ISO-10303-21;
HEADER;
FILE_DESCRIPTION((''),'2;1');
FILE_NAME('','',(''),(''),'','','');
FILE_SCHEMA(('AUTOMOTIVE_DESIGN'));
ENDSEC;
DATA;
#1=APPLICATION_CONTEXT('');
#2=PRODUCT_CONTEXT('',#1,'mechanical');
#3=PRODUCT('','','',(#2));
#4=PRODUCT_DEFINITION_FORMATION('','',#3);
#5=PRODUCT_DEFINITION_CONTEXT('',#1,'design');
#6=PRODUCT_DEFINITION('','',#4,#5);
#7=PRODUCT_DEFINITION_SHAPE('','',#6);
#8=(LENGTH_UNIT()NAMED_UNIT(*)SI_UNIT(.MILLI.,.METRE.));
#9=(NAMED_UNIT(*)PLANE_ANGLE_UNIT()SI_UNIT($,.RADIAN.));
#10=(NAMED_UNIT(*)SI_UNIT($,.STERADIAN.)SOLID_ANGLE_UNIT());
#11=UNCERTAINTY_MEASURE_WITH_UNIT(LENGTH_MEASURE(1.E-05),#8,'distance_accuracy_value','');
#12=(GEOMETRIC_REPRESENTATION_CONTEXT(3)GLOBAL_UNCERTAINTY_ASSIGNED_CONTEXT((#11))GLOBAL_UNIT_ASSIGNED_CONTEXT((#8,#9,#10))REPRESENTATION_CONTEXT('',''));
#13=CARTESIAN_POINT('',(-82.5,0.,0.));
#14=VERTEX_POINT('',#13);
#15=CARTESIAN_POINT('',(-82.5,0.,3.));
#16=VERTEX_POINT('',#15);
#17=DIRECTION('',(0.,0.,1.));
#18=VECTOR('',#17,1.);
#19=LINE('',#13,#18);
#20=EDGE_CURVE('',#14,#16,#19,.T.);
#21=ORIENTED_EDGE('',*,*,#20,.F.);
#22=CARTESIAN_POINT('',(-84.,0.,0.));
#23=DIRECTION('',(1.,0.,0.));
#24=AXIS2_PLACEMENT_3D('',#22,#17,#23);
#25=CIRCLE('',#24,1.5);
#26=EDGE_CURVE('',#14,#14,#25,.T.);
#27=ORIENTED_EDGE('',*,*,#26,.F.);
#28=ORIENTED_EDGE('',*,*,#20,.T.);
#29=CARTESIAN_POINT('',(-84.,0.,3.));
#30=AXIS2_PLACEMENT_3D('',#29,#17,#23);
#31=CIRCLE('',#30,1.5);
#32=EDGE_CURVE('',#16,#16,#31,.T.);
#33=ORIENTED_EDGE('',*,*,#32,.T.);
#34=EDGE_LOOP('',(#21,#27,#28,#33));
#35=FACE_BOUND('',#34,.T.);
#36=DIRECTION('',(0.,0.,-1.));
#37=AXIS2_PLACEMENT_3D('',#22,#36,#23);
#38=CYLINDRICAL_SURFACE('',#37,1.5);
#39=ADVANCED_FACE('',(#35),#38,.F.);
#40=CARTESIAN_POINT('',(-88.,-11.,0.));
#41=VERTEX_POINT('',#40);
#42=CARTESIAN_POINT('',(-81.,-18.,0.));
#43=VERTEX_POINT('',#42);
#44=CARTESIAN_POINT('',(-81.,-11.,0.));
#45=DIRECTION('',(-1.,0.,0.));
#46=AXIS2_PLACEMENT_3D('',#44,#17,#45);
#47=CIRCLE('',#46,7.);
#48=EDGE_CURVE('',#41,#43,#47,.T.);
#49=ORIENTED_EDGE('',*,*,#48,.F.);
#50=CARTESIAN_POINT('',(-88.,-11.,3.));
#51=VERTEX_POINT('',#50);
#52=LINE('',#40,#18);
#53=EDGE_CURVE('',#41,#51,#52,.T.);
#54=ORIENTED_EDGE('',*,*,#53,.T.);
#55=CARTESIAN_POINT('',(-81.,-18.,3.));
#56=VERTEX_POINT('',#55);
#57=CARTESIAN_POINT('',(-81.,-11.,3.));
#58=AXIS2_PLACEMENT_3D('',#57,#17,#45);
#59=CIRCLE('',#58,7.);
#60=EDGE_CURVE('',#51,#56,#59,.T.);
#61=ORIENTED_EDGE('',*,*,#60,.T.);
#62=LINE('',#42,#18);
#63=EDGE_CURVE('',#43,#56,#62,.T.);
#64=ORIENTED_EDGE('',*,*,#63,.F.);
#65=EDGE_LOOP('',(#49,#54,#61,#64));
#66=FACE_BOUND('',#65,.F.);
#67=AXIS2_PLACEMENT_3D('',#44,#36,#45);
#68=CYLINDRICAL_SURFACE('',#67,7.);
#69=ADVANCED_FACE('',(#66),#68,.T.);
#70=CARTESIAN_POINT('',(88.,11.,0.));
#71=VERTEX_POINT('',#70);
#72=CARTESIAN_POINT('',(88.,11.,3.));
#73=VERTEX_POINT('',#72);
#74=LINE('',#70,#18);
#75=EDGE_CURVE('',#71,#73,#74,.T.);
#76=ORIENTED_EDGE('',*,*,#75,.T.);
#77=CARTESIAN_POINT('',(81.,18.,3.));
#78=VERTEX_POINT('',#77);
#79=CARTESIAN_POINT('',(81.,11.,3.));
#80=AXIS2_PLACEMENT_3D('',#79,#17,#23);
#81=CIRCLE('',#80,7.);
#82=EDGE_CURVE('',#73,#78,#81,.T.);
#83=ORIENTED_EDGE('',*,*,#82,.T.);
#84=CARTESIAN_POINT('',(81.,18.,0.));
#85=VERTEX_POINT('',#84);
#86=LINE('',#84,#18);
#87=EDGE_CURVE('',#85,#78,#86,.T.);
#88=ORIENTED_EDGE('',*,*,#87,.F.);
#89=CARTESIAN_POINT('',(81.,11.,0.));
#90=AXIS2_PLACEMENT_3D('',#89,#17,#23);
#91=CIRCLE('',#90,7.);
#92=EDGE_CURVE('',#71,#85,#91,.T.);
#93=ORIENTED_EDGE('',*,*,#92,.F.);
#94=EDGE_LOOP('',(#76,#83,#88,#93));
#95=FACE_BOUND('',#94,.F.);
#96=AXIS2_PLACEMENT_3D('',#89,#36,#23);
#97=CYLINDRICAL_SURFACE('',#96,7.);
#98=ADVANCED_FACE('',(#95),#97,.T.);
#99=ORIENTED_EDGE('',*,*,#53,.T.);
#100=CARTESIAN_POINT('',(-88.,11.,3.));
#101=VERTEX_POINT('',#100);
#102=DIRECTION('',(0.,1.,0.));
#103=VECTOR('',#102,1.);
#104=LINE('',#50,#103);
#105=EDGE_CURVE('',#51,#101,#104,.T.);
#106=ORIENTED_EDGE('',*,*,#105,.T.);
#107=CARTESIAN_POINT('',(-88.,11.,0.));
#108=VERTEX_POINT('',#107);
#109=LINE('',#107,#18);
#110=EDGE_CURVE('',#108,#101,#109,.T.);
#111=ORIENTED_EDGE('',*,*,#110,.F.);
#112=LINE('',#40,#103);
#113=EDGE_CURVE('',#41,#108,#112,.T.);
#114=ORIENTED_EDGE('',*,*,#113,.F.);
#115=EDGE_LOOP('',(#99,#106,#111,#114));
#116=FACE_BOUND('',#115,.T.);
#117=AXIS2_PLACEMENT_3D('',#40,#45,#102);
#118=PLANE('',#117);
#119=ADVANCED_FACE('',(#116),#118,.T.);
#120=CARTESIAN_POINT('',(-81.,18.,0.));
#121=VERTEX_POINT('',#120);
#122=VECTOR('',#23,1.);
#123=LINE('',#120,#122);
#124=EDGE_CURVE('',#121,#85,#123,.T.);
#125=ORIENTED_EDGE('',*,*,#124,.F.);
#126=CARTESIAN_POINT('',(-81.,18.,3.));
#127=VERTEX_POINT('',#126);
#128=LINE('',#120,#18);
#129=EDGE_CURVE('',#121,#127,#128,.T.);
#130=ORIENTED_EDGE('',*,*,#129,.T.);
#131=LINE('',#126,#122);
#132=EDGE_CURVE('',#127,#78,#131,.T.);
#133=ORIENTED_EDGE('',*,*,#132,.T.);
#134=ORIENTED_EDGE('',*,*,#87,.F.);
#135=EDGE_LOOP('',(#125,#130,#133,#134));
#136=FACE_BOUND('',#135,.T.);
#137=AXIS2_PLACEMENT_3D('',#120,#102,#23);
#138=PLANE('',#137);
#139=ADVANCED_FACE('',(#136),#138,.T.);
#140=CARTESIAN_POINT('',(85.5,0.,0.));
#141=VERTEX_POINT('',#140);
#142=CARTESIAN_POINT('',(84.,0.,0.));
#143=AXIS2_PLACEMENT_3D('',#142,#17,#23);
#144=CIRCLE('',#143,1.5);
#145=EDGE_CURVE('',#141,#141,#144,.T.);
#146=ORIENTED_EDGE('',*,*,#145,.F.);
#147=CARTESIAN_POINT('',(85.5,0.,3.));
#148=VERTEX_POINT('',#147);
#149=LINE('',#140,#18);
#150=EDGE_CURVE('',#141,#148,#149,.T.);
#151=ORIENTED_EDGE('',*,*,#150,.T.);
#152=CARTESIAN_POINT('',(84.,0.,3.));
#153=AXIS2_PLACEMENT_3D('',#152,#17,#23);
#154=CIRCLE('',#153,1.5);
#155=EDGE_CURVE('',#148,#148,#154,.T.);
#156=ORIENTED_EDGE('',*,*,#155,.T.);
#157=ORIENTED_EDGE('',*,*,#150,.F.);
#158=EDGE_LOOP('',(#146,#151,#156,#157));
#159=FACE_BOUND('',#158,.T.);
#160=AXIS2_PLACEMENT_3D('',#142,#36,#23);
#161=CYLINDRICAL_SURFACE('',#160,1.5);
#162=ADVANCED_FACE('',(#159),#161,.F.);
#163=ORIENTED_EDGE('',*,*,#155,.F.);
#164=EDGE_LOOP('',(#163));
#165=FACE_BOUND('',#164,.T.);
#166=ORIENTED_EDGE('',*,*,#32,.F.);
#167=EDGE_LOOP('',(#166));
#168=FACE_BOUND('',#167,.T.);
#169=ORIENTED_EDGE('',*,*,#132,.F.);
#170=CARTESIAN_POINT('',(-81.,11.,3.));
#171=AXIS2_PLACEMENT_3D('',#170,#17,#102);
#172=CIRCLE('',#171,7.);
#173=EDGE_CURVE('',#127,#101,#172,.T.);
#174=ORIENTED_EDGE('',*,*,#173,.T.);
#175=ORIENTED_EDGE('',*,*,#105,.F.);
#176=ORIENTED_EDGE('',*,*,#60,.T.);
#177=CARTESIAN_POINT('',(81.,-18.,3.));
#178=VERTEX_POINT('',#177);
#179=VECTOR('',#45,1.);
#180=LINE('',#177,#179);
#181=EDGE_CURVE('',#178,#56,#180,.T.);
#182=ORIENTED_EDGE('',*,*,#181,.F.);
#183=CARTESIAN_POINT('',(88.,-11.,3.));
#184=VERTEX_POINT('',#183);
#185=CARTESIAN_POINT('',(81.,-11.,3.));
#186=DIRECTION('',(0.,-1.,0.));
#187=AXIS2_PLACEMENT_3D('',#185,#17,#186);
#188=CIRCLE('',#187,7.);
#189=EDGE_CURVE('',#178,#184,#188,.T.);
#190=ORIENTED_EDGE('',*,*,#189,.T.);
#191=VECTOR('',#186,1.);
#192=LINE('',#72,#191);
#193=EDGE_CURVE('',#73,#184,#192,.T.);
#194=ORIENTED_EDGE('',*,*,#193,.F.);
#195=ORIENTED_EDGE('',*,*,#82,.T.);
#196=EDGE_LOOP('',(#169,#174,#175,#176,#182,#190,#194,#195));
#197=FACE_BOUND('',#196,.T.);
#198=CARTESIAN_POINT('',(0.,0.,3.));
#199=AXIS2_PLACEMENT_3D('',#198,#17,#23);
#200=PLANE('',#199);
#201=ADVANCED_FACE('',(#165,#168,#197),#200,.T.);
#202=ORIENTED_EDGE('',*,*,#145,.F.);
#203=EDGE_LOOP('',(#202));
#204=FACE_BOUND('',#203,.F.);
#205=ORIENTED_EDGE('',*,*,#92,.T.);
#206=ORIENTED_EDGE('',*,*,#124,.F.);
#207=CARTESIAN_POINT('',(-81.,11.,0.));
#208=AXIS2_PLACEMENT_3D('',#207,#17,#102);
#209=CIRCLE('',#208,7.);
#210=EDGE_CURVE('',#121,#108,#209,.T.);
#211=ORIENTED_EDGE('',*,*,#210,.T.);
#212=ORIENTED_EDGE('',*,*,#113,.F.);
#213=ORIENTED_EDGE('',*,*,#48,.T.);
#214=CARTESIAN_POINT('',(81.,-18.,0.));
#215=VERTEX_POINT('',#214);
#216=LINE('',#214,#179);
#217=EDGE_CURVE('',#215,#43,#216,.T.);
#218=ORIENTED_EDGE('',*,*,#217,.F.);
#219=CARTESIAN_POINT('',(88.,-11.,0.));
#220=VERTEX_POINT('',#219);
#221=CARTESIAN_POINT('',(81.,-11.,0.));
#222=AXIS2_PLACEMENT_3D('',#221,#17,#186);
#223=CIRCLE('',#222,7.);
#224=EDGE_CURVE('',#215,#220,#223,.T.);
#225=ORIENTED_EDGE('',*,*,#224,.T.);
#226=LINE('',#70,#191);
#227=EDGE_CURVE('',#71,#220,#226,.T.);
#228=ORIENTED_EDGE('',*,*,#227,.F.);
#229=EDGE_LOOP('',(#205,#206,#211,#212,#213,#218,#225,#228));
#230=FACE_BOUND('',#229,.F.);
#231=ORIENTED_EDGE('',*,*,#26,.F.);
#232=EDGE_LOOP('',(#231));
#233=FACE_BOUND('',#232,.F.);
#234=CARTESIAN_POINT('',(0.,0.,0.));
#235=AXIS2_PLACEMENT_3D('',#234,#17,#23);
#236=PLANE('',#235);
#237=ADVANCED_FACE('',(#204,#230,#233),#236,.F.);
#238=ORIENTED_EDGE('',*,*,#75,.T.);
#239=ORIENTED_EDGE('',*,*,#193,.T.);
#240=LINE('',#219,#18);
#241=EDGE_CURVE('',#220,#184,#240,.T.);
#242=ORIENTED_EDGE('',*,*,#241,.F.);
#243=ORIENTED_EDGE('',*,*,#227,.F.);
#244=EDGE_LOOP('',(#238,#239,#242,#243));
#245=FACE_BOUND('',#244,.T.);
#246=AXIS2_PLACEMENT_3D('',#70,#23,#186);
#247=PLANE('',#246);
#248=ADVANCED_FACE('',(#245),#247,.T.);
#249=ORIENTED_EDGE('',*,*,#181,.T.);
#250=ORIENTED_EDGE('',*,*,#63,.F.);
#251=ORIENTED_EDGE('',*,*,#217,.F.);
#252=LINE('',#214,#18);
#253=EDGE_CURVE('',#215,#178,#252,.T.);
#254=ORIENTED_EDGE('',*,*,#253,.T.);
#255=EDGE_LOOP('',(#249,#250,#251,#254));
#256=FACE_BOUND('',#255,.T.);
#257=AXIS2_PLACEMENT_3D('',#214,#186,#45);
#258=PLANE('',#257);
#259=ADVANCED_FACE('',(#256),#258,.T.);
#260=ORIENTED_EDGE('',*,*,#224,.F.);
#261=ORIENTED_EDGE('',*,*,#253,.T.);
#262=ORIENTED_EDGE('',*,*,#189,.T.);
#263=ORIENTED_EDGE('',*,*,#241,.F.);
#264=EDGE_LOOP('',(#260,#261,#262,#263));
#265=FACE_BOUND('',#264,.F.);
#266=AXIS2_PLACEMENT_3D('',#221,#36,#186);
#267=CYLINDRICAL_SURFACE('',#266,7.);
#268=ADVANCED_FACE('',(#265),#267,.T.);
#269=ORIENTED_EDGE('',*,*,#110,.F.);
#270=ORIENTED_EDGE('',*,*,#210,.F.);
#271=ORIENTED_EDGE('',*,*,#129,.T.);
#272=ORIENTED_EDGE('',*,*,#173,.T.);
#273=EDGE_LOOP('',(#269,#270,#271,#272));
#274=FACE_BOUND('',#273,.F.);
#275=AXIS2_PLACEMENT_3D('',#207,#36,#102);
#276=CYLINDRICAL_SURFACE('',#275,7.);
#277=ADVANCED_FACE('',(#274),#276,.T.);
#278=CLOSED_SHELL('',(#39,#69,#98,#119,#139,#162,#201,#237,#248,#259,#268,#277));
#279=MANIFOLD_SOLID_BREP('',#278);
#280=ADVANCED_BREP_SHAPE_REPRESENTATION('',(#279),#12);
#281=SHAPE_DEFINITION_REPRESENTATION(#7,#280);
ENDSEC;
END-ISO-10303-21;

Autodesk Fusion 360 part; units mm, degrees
sketch "Sketch1" plane through (0, 0, 0) normal (0, 0, 1) x (1, 0, 0)
  line L0 (-81, 18) -> (81, 18)
  line L1 (88, 11) -> (88, -11)
  line L2 (81, -18) -> (-81, -18)
  line L3 (-88, -11) -> (-88, 11)
  line L4 (-88, 18) -> (88, -18) construction
  line L5 (88, 18) -> (-88, -18) construction
  arc A0 (-81, 18) -> (-88, 11) centre (-81, 11) ccw
  arc A1 (-88, -11) -> (-81, -18) centre (-81, -11) ccw
  arc A2 (81, -18) -> (88, -11) centre (81, -11) ccw
  arc A3 (88, 11) -> (81, 18) centre (81, 11) ccw
  line L6 (0, 0) -> (27, 0) construction
  circle A4 centre (-84, 0) radius 1.5
  line L7 (0, 0) -> (0, 18) construction
  circle A5 centre (84, 0) radius 1.5
  dimension "d28" = 176
  dimension "d29" = 36
  dimension "d30" = 7
  dimension "d35" = 3
  dimension "d36" = 4
  dimension "d37" = 18
extrude "Extrude7" add sketch "Sketch1" along normal blind 3
sketch "Sketch3" plane through (0, 0, 3) normal (0, 0, 1) x (-1, 0, 0)
  circle A0 centre (0, -13) radius 1.5
  circle A1 centre (-85, 0) radius 1.5
  circle A2 centre (0, 13) radius 1.5
  circle A3 centre (85, 0) radius 1.5
  line L0 (-79, 9) -> (79, 9)
  line L1 (79, 9) -> (79, -9)
  line L2 (79, -9) -> (-79, -9)
  line L3 (-79, -9) -> (-79, 9)
  arc A4 (-83, 18) -> (-90, 11) centre (-83, 11) ccw
  line L4 (-90, 11) -> (-90, -11)
  arc A5 (-90, -11) -> (-83, -18) centre (-83, -11) ccw
  line L5 (-83, -18) -> (83, -18)
  arc A6 (83, -18) -> (90, -11) centre (83, -11) ccw
  line L6 (90, -11) -> (90, 11)
  arc A7 (90, 11) -> (83, 18) centre (83, 11) ccw
  line L7 (83, 18) -> (-83, 18)
  circle A8 centre (0, 13) radius 1.5
